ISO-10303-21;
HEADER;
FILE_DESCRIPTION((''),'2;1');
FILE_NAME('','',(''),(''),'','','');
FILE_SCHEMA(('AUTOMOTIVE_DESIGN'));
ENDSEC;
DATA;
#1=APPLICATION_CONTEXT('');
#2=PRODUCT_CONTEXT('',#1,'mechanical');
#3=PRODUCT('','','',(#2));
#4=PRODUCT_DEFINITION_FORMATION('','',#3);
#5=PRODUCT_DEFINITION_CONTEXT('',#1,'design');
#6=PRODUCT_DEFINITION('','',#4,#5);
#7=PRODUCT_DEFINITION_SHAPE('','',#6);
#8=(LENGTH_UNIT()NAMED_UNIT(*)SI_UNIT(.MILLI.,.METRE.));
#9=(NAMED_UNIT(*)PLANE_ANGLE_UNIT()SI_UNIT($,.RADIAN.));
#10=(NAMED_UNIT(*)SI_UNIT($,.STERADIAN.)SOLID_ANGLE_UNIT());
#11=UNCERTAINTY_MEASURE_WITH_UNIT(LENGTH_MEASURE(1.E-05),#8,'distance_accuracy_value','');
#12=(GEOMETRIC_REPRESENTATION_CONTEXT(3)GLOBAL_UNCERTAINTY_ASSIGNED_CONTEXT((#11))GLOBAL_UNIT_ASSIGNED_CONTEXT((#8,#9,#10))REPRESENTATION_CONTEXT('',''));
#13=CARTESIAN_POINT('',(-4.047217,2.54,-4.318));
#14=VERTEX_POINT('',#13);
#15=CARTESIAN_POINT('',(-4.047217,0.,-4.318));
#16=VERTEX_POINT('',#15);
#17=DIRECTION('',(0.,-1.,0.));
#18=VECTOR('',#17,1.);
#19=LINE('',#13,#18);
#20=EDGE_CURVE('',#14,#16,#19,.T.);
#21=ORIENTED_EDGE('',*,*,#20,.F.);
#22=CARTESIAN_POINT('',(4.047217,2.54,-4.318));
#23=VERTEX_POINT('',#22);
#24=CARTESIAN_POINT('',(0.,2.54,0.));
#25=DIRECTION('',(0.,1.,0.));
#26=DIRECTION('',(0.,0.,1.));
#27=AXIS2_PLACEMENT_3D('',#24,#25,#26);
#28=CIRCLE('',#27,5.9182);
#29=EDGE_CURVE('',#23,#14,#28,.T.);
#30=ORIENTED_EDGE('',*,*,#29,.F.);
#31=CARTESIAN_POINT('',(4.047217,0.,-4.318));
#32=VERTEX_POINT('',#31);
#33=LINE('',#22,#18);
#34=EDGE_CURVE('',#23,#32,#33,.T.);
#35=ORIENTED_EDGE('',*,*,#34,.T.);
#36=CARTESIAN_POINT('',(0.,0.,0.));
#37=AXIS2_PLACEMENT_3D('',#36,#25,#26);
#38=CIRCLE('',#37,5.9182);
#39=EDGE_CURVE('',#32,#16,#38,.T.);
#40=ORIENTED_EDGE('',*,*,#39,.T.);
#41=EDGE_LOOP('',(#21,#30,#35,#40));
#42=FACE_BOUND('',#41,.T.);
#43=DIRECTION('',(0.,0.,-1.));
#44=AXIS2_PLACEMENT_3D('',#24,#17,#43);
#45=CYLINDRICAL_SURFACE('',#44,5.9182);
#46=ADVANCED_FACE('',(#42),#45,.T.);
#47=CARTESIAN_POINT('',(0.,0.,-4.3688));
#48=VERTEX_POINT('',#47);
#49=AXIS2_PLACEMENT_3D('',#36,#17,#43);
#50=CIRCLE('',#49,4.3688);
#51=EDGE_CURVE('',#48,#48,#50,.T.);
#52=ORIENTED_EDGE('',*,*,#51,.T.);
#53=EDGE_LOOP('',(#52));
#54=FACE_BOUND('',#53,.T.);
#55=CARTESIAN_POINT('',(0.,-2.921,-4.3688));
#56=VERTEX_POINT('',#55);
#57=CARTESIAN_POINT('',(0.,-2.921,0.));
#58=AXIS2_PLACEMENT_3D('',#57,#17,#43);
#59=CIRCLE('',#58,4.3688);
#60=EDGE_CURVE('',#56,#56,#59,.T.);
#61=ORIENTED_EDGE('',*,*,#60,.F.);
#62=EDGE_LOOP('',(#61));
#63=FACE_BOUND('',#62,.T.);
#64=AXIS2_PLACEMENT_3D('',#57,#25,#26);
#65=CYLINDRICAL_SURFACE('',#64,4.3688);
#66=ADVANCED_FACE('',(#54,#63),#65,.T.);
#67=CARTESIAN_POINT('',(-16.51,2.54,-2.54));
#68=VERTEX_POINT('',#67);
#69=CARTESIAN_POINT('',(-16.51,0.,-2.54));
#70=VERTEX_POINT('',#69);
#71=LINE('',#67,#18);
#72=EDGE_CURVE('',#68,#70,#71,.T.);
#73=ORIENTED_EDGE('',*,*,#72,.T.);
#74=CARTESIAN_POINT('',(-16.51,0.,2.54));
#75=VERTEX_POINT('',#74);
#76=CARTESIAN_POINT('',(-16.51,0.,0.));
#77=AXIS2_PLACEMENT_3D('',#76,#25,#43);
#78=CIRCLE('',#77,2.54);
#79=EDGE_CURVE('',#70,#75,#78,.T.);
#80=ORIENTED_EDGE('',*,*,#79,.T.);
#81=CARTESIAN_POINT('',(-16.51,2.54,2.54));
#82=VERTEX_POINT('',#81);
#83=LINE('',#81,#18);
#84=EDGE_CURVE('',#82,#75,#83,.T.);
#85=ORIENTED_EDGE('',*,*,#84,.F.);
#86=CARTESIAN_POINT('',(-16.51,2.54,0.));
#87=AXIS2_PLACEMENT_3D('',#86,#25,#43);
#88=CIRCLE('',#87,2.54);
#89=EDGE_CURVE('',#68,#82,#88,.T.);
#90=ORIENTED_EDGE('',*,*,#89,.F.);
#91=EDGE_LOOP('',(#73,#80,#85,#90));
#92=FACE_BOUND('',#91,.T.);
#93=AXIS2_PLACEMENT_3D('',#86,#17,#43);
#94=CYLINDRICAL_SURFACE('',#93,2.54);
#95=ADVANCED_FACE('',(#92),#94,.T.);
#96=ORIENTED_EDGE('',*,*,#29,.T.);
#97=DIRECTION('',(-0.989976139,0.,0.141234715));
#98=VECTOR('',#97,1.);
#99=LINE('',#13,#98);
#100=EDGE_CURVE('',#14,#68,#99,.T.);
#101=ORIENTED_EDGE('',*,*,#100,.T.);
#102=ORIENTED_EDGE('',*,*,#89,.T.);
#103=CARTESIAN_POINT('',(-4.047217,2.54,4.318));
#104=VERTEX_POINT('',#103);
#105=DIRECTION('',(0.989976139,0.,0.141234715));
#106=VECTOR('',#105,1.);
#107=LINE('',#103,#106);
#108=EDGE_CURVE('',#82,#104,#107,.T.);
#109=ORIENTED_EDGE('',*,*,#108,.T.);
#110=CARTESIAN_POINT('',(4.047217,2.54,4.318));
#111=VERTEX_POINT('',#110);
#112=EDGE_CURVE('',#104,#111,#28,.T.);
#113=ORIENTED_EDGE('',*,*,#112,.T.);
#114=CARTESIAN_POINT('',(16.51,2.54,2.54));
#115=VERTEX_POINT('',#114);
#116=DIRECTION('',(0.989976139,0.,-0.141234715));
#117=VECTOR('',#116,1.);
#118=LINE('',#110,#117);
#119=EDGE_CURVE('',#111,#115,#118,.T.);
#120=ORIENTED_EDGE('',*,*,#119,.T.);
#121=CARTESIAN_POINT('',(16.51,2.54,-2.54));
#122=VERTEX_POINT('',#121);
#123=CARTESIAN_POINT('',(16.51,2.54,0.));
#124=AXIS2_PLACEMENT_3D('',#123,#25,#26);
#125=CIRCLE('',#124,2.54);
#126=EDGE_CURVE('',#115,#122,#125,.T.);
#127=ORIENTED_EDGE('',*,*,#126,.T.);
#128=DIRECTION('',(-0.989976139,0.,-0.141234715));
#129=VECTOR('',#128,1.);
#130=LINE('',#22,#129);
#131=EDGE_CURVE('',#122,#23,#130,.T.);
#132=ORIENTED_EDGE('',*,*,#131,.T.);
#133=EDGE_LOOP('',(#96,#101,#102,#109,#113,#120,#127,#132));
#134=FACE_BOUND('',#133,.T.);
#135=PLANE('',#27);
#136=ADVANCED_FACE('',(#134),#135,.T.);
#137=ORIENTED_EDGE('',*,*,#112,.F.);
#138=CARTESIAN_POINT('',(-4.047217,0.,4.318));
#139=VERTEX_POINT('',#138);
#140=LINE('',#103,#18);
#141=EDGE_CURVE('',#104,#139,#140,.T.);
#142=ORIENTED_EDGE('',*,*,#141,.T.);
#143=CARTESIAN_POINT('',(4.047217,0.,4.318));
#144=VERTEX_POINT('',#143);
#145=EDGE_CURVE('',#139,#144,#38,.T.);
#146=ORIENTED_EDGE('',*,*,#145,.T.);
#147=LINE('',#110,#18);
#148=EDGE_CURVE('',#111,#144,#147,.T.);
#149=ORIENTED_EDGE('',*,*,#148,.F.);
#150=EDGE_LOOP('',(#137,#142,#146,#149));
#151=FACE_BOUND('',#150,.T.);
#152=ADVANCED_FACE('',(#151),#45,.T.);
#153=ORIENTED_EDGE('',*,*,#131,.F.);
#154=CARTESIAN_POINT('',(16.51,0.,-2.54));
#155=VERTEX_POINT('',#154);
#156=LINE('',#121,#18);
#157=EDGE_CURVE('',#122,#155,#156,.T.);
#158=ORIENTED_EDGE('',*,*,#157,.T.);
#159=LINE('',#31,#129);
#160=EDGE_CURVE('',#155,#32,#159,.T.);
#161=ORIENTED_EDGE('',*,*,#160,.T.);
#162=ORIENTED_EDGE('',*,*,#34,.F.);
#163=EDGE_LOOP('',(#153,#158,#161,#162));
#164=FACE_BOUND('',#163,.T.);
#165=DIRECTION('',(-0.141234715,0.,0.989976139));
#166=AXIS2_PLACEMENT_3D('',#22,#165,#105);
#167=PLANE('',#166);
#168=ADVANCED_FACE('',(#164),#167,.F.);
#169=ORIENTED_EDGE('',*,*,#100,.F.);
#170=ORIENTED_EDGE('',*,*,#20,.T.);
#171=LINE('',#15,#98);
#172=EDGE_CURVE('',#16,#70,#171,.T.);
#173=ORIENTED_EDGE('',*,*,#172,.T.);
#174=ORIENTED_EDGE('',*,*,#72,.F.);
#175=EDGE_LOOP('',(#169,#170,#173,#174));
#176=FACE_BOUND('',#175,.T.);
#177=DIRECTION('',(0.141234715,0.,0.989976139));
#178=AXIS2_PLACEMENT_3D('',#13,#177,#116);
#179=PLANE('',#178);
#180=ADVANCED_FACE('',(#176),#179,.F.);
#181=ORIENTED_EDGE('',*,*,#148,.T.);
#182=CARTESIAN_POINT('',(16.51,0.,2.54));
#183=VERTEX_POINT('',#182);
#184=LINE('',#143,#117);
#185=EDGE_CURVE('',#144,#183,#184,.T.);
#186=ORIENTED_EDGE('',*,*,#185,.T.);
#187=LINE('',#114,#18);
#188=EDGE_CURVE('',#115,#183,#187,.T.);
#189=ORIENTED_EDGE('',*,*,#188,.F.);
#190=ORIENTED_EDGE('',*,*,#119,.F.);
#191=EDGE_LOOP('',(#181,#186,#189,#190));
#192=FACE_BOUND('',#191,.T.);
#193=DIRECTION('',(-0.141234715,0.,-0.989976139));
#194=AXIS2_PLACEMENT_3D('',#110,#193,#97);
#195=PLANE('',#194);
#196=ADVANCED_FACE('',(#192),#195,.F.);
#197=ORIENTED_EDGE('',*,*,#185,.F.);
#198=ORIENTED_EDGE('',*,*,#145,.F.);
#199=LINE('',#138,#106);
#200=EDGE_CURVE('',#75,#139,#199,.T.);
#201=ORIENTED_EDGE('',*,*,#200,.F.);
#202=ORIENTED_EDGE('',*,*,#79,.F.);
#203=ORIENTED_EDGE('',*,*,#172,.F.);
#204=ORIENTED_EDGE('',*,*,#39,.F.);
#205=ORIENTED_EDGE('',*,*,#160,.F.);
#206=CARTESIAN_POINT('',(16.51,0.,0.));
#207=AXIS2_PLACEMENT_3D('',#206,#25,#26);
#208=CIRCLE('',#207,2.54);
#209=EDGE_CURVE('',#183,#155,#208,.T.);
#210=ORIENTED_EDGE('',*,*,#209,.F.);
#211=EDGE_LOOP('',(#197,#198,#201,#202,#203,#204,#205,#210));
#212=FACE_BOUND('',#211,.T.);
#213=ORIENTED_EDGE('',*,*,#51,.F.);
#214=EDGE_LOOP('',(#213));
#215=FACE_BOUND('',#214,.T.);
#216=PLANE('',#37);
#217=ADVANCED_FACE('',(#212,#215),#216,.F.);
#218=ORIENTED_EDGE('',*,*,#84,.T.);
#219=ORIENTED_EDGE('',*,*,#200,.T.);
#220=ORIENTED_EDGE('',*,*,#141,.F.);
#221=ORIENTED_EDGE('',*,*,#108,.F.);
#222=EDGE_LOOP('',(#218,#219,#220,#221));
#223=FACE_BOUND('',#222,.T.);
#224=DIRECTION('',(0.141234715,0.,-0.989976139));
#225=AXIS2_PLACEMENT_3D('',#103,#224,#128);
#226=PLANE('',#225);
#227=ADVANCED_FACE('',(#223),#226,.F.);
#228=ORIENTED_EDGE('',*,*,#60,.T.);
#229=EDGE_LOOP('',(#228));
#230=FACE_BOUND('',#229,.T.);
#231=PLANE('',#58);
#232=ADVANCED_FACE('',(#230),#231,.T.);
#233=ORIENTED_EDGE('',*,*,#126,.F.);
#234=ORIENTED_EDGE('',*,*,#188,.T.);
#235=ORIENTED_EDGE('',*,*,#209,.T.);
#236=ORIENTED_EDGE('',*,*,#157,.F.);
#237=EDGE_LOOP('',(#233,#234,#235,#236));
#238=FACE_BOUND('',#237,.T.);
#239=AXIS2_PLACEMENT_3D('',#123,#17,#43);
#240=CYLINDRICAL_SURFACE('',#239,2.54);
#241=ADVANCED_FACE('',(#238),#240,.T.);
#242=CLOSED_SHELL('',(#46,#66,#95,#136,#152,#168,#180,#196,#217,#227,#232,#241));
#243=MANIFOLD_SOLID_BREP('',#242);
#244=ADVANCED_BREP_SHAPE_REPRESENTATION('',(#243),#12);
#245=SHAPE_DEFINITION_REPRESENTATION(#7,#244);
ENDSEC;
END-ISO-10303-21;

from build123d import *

# Parameters (mm, degrees)
BOSS_EXTRUDE1_DEPTH = 2.54
SKETCH2_R           = 4.3688
BOSS_EXTRUDE2_DEPTH = 2.921


with BuildPart() as part:
    # Sketch1 → Boss-Extrude1 (new body)
    with BuildSketch(Plane(origin=(0, 0, 0), x_dir=(1, 0, 0), z_dir=(0, 1, 0))):
        with BuildLine():
            Line((4.047217222, 4.318), (16.51, 2.54))
            ThreePointArc((16.51, 2.54), (19.05, 0), (16.51, -2.54))
            Line((16.51, -2.54), (4.047217222, -4.318))
            ThreePointArc((4.047217222, -4.318), (0, -5.9182), (-4.047217222, -4.318))
            Line((-4.047217222, -4.318), (-16.51, -2.54))
            ThreePointArc((-16.51, -2.54), (-19.05, 0), (-16.51, 2.54))
            Line((-16.51, 2.54), (-4.047217222, 4.318))
            ThreePointArc((-4.047217222, 4.318), (0, 5.9182), (4.047217222, 4.318))
        make_face()
    extrude(amount=BOSS_EXTRUDE1_DEPTH)

    # Sketch2 → Boss-Extrude2 (add)
    with BuildSketch(Plane.XZ):
        with Locations(Location((0, 0, 0), (0, 0, 270))):
            Circle(SKETCH2_R)
    extrude(amount=BOSS_EXTRUDE2_DEPTH)


solid = part.part
